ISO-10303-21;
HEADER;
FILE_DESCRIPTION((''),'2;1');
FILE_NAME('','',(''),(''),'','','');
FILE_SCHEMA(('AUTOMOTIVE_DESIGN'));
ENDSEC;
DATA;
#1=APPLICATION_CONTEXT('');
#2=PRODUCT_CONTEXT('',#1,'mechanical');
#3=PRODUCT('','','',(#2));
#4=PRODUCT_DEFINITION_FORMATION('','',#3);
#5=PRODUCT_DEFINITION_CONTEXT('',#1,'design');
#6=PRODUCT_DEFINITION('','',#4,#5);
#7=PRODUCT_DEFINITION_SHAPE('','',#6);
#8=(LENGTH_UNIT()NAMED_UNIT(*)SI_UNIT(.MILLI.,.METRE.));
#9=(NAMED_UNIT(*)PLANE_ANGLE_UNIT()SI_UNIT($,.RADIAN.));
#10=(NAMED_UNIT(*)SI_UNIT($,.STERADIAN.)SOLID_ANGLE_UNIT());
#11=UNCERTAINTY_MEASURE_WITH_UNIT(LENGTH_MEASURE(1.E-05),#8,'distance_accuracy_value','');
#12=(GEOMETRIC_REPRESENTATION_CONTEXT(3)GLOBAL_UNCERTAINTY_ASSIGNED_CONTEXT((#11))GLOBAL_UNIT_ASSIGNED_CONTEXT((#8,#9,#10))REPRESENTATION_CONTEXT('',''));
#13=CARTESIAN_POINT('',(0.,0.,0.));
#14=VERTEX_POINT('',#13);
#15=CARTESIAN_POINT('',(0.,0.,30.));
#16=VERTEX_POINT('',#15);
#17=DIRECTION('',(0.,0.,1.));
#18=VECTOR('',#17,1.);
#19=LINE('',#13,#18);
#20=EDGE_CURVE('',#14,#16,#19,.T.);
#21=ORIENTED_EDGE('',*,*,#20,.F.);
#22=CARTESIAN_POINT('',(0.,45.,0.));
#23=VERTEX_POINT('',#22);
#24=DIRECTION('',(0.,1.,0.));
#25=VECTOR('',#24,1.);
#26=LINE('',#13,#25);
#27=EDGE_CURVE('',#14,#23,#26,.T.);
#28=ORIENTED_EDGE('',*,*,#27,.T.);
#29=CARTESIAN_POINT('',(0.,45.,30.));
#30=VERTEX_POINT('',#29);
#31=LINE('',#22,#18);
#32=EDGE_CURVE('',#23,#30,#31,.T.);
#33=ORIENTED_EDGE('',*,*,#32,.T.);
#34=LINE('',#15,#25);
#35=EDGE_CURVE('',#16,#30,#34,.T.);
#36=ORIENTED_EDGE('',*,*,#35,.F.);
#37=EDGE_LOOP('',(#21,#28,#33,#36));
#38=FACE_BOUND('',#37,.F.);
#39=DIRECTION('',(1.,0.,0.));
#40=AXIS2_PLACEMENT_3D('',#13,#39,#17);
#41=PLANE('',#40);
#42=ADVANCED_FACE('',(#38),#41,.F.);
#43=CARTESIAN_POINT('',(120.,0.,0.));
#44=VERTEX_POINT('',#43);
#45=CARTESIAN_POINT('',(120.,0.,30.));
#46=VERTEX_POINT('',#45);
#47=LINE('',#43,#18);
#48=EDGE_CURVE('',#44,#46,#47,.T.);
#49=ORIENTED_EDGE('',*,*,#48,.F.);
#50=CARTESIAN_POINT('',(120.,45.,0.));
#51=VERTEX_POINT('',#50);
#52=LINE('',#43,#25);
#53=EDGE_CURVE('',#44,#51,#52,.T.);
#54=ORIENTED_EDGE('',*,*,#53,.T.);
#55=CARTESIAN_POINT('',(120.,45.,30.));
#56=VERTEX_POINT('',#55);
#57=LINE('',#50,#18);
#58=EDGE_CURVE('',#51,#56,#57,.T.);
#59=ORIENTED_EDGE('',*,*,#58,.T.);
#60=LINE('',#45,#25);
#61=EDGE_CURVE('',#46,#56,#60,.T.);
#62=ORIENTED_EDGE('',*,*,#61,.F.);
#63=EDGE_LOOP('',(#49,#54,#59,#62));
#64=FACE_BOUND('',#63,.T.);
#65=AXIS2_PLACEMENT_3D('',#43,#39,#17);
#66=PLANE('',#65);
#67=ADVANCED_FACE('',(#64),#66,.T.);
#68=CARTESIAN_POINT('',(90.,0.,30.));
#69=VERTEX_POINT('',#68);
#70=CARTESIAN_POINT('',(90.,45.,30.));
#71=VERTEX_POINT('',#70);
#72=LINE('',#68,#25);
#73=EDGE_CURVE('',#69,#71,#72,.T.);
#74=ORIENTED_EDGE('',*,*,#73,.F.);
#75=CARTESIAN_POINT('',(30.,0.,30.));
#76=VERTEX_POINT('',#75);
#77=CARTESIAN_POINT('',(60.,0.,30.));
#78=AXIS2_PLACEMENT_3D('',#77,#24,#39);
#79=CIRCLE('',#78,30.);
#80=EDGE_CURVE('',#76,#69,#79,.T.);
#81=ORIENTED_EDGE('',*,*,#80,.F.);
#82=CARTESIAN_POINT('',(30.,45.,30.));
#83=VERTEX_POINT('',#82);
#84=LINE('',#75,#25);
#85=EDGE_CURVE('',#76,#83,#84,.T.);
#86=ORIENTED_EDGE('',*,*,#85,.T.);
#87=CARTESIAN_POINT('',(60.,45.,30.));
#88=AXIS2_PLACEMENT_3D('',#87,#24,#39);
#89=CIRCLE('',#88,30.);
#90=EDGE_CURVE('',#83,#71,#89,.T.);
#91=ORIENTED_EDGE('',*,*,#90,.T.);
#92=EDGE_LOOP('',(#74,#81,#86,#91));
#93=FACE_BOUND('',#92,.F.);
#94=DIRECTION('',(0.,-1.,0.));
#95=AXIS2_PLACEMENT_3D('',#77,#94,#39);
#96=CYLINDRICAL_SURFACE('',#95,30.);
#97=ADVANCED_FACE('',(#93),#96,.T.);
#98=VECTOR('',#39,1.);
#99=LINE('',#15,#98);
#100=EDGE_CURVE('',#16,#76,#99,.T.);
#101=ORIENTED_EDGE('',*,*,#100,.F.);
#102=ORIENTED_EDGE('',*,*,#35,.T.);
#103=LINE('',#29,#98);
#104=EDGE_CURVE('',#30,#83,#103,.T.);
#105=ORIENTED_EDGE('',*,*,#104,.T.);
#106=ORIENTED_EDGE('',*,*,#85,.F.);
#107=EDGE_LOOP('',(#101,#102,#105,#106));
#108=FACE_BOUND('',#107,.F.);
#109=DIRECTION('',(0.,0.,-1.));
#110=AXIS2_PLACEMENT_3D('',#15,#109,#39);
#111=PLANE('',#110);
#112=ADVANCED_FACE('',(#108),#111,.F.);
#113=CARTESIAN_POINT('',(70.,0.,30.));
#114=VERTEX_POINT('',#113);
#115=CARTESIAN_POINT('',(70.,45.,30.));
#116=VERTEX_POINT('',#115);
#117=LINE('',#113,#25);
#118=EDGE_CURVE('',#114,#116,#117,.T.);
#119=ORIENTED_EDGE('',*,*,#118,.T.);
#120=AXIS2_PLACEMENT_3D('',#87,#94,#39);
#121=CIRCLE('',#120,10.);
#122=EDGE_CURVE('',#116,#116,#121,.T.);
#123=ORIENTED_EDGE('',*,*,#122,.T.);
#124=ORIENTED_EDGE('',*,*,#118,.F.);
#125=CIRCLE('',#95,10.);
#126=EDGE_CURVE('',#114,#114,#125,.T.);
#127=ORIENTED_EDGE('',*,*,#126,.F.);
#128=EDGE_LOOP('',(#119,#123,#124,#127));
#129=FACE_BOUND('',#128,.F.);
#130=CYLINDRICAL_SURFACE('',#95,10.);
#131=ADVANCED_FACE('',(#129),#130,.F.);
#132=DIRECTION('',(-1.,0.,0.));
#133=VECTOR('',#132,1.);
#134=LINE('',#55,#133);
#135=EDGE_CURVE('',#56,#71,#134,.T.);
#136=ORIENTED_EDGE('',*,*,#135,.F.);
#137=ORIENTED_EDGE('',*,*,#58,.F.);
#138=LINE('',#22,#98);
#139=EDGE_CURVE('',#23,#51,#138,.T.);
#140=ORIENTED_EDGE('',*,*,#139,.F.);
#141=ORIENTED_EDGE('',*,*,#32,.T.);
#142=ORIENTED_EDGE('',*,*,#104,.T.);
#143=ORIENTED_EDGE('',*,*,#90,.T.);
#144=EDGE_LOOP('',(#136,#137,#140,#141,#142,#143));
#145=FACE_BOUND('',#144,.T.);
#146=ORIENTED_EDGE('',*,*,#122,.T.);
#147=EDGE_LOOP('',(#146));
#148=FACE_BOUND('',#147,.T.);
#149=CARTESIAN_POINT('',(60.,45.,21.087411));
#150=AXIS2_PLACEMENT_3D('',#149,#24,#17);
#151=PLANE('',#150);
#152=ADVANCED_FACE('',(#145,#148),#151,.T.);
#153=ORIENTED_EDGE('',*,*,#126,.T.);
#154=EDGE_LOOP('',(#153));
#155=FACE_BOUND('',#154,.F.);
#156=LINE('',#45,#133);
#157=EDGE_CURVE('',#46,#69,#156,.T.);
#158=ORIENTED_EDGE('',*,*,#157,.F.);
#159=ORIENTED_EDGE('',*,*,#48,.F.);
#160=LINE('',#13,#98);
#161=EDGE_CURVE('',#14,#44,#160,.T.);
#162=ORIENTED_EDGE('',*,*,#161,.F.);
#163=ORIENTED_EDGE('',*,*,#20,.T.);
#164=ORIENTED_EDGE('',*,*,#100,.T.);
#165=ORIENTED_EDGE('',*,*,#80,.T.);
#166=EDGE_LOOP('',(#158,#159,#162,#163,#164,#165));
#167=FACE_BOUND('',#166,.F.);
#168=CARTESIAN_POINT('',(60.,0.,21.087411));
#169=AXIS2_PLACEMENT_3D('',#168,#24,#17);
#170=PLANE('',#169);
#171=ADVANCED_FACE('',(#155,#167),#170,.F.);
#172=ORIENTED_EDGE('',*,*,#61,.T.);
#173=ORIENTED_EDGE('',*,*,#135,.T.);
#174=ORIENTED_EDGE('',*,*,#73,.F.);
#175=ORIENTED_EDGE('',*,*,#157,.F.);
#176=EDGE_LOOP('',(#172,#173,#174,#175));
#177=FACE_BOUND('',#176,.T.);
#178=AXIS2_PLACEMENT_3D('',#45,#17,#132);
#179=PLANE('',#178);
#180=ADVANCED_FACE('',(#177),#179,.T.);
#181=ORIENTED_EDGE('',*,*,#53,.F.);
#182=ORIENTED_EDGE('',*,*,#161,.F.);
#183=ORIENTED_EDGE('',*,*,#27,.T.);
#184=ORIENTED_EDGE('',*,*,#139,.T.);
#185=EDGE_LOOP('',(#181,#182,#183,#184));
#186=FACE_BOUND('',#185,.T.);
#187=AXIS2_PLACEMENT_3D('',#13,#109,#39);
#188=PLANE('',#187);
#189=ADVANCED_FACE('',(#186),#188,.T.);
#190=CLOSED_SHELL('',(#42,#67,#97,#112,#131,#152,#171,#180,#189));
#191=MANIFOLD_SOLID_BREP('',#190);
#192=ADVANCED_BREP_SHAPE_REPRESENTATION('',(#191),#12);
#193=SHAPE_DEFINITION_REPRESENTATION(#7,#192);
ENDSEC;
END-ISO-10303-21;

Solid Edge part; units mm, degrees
sketch "Sketch1" plane through (0, 0, 0) normal (0, -1, 0) x (1, 0, 0)
  arc A0 (30, 30) -> (90, 30) centre (60, 30) cw
  line L0 (120, 30) -> (90, 30)
  line L1 (120, 0) -> (120, 30)
  line L2 (0, 0) -> (120, 0)
  line L3 (0, 0) -> (0, 30)
  line L4 (0, 30) -> (30, 30)
extrude "Protrusion1" add sketch "Sketch1" against normal blind 45
sketch "Sketch2" plane through (60, 0, 30) normal (0, -1, 0) x (1, 0, 0)
  circle A0 centre (0, 0) radius 10
extrude "ExtrudedCutout_1" cut sketch "Sketch2" against normal blind 214.5997
